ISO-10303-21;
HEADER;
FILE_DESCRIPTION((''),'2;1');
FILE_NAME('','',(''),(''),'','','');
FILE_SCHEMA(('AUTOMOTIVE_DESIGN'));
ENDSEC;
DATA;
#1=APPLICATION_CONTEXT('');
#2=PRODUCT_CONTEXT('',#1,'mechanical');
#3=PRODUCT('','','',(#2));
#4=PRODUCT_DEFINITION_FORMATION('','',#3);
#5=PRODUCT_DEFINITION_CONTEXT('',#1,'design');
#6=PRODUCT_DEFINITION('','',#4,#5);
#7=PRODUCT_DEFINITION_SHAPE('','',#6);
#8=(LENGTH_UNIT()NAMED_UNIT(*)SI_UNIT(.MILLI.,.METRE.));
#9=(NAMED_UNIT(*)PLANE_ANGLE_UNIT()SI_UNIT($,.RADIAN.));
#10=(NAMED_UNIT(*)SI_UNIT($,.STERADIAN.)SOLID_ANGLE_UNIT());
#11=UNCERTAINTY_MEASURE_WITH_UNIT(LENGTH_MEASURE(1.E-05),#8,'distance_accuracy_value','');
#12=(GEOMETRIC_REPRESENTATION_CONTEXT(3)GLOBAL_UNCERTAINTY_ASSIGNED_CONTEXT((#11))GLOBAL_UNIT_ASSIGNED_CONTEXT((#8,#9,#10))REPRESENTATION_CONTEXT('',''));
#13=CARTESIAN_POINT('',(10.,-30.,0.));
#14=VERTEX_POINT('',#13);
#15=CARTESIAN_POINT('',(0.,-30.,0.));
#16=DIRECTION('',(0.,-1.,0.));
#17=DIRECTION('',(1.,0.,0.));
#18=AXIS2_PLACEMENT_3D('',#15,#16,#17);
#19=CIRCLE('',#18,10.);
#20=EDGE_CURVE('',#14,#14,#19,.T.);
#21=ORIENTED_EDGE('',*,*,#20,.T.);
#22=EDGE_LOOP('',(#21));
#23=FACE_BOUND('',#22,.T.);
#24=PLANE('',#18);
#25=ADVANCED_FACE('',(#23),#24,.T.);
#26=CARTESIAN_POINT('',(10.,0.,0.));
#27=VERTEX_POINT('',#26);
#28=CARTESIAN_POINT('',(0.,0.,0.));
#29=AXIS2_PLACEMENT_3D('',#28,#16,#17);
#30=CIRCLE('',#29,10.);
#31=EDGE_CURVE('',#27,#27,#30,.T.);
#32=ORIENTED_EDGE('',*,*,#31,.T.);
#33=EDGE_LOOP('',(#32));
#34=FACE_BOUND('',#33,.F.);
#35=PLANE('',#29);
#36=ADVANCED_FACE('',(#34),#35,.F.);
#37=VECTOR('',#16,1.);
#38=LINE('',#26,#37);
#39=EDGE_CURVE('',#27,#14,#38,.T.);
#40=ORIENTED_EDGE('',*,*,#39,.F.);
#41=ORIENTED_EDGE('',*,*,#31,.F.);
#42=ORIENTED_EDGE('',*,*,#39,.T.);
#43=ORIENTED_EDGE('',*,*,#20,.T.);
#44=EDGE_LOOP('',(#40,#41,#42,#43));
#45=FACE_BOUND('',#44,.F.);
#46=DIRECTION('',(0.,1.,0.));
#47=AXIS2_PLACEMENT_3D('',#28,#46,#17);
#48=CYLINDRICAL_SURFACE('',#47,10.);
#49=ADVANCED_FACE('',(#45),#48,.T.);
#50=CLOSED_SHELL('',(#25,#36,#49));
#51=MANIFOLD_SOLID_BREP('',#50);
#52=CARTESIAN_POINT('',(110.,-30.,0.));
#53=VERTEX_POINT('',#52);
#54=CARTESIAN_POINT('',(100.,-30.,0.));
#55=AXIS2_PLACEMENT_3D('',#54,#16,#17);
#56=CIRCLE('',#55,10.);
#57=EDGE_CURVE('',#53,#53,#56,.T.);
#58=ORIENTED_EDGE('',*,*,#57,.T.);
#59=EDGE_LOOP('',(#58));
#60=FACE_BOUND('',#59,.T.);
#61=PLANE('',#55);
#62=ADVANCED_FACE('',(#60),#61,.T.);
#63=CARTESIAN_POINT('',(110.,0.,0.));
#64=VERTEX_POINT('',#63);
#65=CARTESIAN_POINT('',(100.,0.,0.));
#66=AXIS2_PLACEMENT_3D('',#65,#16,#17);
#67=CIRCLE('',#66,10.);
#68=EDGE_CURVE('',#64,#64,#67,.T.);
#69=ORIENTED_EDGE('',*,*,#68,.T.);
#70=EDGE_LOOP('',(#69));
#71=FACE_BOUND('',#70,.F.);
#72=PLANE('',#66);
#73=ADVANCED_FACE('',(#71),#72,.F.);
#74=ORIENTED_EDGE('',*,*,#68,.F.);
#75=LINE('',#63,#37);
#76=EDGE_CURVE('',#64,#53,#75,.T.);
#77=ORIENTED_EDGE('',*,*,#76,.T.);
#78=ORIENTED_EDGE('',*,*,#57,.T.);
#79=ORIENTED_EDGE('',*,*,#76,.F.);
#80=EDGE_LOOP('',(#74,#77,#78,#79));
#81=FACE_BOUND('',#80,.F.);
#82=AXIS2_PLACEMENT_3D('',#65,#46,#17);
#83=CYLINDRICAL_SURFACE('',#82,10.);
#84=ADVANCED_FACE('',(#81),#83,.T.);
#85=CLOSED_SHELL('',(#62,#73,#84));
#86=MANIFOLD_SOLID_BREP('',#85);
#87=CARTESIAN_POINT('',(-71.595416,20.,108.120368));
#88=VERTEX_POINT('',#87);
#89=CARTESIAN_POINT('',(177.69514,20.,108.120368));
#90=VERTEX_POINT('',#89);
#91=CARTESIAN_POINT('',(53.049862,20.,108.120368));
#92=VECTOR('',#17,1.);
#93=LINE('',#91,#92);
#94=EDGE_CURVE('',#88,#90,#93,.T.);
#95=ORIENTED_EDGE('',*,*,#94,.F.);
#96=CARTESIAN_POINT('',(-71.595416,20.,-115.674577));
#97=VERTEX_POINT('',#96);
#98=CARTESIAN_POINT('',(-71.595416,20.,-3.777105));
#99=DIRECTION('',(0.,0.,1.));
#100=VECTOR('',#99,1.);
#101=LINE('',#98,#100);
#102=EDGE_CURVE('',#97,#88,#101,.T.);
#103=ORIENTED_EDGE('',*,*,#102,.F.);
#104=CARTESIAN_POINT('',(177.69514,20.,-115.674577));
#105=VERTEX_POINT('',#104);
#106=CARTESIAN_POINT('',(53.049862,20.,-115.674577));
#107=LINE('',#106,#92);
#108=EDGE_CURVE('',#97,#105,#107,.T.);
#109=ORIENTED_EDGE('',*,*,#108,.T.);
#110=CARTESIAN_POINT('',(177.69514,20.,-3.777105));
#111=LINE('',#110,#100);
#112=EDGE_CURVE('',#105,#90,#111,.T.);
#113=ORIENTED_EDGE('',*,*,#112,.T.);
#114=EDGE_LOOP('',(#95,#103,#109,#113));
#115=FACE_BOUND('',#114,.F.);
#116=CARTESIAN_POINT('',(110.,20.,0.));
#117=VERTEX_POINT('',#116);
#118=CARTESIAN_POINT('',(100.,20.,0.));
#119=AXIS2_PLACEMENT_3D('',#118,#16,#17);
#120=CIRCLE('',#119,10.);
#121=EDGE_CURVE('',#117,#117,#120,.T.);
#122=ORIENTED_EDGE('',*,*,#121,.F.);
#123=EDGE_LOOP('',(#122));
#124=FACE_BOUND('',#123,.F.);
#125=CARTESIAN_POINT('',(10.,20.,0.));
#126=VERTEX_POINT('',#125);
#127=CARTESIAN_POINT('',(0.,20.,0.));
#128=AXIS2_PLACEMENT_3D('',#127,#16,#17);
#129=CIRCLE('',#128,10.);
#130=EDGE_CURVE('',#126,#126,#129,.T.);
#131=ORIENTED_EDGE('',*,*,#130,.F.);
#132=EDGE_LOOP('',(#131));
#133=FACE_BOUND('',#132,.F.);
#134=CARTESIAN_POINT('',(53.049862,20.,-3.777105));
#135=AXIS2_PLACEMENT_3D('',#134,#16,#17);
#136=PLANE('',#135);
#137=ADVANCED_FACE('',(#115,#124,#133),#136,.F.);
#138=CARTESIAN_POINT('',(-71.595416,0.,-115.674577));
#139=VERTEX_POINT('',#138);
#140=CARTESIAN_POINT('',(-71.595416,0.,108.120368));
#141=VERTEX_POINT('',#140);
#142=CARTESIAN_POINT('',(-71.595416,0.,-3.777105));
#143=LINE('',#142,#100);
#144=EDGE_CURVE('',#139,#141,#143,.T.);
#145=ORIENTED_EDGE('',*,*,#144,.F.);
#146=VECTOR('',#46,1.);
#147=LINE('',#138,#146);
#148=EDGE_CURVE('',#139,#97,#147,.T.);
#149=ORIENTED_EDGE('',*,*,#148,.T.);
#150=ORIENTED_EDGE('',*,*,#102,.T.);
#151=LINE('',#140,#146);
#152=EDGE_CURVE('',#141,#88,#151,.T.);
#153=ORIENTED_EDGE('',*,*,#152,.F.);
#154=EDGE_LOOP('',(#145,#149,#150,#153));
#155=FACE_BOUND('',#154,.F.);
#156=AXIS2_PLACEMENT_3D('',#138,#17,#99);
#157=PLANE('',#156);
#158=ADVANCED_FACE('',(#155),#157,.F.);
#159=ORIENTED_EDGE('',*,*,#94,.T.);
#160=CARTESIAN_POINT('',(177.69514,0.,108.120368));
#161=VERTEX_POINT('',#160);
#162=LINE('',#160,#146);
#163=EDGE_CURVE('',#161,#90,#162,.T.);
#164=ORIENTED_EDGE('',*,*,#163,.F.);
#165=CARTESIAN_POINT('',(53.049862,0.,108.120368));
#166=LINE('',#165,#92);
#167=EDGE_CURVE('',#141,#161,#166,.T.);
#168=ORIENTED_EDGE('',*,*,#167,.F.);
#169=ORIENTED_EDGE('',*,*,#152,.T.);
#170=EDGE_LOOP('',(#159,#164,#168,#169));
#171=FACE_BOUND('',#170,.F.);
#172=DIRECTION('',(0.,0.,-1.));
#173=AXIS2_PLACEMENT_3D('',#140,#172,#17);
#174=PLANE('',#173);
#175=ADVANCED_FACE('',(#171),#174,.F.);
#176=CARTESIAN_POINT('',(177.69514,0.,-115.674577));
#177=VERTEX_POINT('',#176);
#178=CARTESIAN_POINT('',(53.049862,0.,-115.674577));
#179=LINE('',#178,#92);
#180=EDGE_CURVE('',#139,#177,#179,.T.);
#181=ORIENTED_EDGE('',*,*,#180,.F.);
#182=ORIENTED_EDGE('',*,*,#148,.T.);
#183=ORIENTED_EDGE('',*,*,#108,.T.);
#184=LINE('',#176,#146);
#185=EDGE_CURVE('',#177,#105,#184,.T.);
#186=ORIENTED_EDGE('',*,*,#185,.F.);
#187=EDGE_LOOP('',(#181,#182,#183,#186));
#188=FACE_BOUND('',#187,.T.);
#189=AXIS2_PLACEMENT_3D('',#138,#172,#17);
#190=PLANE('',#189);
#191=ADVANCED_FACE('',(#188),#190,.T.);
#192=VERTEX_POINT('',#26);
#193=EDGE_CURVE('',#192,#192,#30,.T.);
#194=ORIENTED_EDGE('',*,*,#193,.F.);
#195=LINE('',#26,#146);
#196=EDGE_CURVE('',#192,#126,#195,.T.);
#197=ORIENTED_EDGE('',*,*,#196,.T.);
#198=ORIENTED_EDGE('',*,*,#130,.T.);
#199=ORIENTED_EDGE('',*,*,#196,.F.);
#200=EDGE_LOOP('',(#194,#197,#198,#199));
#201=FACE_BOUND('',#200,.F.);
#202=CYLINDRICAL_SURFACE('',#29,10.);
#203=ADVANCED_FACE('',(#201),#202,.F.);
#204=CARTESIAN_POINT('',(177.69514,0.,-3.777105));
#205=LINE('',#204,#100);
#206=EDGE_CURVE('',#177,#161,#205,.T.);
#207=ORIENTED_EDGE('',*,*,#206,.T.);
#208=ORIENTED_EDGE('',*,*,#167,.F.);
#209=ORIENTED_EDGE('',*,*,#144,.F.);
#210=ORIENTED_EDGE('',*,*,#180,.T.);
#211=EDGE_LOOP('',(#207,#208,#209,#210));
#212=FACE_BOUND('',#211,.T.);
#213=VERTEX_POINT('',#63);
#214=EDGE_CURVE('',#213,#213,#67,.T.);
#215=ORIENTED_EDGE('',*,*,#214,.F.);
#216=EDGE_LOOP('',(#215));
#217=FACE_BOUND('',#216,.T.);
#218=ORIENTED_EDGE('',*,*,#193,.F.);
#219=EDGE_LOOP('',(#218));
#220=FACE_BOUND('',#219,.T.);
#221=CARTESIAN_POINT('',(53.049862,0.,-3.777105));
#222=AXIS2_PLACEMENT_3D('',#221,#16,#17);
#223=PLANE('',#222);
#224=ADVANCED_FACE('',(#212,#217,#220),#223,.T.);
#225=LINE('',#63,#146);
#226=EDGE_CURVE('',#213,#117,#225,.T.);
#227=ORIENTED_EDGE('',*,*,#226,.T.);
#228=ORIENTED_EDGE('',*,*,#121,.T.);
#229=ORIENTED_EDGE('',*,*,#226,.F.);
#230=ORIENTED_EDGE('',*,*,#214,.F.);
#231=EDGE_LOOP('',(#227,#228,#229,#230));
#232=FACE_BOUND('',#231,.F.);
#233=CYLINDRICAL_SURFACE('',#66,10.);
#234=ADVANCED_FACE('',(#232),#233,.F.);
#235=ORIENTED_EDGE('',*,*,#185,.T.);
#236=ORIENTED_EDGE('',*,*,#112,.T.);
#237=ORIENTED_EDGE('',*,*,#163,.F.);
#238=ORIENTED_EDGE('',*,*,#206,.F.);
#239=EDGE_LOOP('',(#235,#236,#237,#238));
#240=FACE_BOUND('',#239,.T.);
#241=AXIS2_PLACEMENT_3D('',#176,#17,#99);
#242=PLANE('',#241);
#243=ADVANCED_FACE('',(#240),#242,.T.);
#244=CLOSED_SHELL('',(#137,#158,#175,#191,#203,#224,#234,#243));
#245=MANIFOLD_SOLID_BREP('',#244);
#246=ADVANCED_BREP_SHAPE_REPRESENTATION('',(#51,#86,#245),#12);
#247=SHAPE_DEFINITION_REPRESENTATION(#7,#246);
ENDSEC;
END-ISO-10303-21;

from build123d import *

# Parameters (mm, degrees)
F0_R     = 10
F1_DEPTH = 30
F0_W     = 249.290555
F0_H     = 223.794945
F2_DEPTH = 20


with BuildPart() as f1:
    # F0 (on Front) → F1 (new body)
    with BuildSketch(Plane.XZ):
        with Locations((100, 0)):
            Circle(F0_R)
        Circle(F0_R)
    extrude(amount=F1_DEPTH)


with BuildPart() as f2:
    # F0 (on Front) → F2 (new body)
    with BuildSketch(Plane.XZ):
        with Locations((53.049862, -3.777105)):
            Rectangle(F0_W, F0_H)
        Circle(F0_R, mode=Mode.SUBTRACT)
        with Locations((100, 0)):
            Circle(F0_R, mode=Mode.SUBTRACT)
    extrude(amount=-F2_DEPTH)


solid = Compound([f1.part, f2.part])
